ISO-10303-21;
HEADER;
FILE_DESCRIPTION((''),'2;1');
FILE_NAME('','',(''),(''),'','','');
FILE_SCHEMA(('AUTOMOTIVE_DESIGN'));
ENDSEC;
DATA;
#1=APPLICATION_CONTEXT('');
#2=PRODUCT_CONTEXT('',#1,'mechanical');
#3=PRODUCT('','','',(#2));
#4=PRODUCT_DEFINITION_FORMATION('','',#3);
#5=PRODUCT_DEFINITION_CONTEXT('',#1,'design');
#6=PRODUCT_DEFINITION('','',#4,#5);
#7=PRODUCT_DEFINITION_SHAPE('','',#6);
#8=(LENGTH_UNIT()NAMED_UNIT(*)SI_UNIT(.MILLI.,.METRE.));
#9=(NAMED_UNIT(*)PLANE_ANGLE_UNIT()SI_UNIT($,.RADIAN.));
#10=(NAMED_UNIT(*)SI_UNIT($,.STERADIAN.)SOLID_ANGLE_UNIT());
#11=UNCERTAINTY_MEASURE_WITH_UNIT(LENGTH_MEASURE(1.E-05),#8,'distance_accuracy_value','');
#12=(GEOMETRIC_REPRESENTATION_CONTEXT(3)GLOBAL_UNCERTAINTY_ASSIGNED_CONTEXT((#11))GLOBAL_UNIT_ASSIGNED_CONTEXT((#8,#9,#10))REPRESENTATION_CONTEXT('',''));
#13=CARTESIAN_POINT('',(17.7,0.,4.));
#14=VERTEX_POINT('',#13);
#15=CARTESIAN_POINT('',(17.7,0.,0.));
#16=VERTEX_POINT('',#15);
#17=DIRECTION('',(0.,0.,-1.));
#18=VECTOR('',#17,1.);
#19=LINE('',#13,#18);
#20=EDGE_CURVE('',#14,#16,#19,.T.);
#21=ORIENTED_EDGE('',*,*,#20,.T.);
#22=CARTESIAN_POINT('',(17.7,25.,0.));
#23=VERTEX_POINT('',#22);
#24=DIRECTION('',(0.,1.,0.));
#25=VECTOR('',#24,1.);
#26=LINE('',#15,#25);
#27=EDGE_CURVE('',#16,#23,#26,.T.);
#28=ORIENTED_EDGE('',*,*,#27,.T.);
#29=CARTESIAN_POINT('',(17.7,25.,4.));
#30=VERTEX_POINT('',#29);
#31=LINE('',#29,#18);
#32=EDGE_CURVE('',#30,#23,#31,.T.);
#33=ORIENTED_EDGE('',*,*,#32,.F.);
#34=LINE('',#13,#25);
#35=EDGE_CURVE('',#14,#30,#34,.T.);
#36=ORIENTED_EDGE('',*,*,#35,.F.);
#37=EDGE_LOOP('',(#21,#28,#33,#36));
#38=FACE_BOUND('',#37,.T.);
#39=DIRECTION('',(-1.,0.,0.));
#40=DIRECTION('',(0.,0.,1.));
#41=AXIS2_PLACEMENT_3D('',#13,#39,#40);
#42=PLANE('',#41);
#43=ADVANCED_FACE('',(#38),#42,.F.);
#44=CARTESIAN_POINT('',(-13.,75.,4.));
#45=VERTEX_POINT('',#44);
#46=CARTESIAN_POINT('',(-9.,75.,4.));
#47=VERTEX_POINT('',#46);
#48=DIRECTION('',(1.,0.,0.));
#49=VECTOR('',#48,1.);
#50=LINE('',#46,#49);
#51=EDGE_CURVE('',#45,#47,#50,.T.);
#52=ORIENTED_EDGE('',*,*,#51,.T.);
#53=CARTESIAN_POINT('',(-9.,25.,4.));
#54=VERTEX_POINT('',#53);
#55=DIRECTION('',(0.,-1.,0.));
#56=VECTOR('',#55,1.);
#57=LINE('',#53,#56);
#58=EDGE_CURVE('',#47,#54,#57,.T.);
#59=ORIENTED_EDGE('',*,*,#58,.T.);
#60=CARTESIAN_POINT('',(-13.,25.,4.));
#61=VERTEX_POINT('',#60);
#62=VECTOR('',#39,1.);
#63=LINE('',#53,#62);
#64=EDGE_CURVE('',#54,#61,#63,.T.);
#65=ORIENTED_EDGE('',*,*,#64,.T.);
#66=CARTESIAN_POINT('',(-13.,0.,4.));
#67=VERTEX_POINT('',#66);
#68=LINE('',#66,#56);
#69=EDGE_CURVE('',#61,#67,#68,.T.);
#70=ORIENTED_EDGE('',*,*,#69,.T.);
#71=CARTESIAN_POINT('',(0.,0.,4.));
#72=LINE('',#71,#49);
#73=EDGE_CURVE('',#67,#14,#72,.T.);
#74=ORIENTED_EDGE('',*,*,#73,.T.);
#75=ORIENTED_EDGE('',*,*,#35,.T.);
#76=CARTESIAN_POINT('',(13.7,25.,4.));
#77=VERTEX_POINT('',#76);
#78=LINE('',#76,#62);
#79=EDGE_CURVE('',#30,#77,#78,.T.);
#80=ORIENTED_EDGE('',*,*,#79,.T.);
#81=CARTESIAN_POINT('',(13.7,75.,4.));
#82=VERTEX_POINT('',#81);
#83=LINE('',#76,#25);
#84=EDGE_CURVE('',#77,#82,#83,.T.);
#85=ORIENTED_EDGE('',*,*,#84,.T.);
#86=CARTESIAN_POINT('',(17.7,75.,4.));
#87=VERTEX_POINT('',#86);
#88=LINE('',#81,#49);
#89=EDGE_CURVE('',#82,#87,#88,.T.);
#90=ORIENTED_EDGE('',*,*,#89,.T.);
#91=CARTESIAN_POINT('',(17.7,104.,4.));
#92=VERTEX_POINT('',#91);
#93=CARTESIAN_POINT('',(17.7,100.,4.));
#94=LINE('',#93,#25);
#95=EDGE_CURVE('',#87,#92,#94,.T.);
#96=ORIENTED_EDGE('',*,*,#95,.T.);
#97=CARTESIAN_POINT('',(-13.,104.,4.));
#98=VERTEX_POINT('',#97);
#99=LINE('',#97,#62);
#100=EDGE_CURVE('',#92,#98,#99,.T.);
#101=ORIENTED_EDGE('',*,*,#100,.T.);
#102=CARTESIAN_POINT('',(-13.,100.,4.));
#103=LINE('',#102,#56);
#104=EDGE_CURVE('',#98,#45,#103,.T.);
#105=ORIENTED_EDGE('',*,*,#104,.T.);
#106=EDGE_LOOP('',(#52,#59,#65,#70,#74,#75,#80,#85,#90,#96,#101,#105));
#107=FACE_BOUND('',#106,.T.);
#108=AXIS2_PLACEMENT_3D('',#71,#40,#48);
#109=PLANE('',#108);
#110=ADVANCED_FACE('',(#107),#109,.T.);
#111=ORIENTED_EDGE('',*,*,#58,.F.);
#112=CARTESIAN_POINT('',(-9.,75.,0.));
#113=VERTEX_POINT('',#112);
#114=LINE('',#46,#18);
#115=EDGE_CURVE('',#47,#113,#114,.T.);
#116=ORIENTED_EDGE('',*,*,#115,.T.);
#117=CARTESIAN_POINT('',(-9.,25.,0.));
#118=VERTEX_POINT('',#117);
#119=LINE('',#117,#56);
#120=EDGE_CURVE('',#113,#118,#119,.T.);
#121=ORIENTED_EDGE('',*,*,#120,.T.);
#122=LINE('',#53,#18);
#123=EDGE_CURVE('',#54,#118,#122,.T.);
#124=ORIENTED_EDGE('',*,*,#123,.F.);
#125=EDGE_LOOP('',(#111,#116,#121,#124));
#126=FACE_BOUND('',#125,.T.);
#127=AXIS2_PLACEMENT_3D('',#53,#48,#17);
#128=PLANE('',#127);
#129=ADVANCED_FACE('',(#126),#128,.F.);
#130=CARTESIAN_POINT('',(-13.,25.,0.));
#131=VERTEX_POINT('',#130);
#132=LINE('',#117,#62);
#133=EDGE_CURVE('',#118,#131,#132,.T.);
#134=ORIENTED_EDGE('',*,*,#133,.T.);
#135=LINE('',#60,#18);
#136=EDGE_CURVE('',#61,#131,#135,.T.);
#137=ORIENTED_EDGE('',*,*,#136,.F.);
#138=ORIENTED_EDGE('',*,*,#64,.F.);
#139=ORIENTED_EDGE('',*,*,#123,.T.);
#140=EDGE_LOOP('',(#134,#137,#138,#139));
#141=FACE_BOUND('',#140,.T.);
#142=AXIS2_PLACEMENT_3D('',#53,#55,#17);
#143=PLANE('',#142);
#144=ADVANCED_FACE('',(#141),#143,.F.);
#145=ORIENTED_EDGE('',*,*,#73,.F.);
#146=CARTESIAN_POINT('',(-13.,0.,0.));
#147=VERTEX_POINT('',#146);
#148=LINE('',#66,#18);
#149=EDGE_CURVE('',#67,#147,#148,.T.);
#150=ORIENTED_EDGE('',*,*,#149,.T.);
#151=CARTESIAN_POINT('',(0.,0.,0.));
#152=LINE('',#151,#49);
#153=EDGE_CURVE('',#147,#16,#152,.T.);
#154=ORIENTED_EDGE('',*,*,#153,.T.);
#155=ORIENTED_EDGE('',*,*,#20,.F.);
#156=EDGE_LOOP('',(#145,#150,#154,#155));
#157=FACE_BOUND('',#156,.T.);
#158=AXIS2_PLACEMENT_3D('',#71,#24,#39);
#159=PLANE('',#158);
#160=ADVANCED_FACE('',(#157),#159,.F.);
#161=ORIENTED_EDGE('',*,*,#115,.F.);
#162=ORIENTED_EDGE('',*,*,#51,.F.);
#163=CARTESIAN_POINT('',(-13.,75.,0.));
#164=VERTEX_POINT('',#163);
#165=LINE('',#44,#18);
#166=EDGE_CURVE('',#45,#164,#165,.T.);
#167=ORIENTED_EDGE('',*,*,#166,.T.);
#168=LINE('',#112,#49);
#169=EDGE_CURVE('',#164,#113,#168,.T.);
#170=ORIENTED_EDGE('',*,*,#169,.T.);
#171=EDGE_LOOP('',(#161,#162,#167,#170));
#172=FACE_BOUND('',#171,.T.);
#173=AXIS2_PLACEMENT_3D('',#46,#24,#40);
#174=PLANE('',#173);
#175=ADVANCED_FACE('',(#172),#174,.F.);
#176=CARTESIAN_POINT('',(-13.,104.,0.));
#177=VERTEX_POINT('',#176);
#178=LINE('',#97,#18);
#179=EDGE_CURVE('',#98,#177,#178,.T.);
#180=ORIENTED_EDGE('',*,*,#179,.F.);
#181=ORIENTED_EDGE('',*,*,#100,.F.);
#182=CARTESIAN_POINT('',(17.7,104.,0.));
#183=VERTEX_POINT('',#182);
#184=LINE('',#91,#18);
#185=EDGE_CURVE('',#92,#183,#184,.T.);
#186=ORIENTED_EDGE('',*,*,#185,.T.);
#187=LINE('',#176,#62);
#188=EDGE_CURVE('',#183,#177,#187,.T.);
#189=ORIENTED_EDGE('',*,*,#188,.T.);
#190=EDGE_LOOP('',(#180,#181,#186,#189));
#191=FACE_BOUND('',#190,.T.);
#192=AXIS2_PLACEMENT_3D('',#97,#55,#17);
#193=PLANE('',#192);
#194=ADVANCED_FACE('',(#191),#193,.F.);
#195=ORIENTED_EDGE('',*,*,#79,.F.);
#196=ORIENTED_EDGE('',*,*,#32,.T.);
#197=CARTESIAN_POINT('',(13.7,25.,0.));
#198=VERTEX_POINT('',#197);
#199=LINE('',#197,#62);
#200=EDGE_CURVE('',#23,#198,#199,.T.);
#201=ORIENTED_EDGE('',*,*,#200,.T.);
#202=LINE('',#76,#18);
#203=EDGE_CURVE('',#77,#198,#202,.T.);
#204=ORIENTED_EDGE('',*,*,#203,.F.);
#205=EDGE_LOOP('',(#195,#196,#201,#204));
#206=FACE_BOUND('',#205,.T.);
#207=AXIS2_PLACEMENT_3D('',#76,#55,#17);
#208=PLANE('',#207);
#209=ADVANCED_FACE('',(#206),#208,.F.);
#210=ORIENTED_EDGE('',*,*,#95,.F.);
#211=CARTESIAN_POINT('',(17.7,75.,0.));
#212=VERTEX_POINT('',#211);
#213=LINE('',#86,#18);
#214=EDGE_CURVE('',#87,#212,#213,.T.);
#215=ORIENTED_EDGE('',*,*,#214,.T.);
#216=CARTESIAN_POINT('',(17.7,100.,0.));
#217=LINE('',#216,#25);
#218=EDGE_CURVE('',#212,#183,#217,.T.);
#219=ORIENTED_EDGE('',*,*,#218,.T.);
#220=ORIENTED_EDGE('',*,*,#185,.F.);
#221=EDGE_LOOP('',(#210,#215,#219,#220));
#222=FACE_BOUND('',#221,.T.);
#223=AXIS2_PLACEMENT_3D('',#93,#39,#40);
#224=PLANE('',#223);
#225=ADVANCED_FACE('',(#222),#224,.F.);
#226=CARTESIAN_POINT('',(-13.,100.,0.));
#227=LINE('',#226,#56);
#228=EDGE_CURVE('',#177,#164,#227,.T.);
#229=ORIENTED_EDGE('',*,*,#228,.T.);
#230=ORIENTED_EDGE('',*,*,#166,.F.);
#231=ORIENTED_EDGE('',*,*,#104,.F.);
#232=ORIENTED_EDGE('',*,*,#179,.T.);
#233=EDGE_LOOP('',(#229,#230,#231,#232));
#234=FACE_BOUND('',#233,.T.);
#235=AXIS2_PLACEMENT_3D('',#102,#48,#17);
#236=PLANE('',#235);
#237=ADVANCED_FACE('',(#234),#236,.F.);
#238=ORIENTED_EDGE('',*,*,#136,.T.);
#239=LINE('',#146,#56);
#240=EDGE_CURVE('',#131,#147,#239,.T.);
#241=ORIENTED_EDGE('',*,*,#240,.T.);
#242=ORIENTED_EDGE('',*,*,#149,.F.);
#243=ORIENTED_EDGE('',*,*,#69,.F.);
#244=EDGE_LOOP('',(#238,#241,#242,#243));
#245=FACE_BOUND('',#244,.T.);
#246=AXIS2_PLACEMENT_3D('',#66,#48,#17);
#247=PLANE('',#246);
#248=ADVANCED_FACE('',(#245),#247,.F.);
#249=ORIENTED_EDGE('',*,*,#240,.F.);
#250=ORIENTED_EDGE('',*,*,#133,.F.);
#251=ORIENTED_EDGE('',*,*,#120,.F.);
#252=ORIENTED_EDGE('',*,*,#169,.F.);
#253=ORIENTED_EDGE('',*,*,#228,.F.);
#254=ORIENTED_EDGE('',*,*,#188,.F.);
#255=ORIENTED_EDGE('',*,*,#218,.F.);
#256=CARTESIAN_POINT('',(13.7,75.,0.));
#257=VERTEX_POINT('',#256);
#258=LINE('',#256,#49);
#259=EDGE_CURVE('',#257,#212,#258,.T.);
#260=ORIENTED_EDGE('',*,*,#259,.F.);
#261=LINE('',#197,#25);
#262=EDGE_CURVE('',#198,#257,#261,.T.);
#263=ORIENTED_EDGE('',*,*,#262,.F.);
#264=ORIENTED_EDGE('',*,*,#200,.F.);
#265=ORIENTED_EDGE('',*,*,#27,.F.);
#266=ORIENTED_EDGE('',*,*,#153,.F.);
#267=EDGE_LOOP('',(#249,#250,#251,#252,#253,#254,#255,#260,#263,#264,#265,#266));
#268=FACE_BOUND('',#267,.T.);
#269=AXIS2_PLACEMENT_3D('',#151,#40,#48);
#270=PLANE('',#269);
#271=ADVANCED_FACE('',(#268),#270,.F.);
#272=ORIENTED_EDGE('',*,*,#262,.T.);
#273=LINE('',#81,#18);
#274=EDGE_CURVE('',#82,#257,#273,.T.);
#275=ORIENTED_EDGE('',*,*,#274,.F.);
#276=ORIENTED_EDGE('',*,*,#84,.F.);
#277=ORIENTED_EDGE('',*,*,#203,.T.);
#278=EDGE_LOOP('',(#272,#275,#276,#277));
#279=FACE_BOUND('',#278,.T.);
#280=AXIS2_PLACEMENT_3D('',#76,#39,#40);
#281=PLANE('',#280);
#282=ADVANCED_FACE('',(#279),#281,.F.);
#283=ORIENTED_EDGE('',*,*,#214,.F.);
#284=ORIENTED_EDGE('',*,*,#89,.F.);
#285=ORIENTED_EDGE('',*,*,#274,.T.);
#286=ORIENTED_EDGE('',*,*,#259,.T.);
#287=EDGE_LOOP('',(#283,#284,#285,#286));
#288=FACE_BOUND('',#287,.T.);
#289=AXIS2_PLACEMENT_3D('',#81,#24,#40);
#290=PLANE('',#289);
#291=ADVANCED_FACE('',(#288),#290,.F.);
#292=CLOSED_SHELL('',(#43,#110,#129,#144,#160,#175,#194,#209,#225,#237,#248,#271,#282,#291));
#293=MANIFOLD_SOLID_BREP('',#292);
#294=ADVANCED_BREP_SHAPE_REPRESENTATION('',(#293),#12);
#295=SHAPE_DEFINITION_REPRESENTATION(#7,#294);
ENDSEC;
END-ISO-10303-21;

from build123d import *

# Parameters (mm, degrees)
EXTRUDE_1_DEPTH = 4


with BuildPart() as part:
    # Эскиз1 → Бобышка-Вытянуть1 (new body)
    with BuildSketch(Plane.XY):
        Polygon((0, 0), (-10, 0), (-13, 0), (-13, 25), (-9, 25), (-9, 75), (-13, 75), (-13, 100), (-13, 104), (17.7, 104), (17.7, 100), (17.7, 75), (13.7, 75), (13.7, 25), (17.7, 25), (17.7, 0), align=None)
    extrude(amount=EXTRUDE_1_DEPTH)


solid = part.part
